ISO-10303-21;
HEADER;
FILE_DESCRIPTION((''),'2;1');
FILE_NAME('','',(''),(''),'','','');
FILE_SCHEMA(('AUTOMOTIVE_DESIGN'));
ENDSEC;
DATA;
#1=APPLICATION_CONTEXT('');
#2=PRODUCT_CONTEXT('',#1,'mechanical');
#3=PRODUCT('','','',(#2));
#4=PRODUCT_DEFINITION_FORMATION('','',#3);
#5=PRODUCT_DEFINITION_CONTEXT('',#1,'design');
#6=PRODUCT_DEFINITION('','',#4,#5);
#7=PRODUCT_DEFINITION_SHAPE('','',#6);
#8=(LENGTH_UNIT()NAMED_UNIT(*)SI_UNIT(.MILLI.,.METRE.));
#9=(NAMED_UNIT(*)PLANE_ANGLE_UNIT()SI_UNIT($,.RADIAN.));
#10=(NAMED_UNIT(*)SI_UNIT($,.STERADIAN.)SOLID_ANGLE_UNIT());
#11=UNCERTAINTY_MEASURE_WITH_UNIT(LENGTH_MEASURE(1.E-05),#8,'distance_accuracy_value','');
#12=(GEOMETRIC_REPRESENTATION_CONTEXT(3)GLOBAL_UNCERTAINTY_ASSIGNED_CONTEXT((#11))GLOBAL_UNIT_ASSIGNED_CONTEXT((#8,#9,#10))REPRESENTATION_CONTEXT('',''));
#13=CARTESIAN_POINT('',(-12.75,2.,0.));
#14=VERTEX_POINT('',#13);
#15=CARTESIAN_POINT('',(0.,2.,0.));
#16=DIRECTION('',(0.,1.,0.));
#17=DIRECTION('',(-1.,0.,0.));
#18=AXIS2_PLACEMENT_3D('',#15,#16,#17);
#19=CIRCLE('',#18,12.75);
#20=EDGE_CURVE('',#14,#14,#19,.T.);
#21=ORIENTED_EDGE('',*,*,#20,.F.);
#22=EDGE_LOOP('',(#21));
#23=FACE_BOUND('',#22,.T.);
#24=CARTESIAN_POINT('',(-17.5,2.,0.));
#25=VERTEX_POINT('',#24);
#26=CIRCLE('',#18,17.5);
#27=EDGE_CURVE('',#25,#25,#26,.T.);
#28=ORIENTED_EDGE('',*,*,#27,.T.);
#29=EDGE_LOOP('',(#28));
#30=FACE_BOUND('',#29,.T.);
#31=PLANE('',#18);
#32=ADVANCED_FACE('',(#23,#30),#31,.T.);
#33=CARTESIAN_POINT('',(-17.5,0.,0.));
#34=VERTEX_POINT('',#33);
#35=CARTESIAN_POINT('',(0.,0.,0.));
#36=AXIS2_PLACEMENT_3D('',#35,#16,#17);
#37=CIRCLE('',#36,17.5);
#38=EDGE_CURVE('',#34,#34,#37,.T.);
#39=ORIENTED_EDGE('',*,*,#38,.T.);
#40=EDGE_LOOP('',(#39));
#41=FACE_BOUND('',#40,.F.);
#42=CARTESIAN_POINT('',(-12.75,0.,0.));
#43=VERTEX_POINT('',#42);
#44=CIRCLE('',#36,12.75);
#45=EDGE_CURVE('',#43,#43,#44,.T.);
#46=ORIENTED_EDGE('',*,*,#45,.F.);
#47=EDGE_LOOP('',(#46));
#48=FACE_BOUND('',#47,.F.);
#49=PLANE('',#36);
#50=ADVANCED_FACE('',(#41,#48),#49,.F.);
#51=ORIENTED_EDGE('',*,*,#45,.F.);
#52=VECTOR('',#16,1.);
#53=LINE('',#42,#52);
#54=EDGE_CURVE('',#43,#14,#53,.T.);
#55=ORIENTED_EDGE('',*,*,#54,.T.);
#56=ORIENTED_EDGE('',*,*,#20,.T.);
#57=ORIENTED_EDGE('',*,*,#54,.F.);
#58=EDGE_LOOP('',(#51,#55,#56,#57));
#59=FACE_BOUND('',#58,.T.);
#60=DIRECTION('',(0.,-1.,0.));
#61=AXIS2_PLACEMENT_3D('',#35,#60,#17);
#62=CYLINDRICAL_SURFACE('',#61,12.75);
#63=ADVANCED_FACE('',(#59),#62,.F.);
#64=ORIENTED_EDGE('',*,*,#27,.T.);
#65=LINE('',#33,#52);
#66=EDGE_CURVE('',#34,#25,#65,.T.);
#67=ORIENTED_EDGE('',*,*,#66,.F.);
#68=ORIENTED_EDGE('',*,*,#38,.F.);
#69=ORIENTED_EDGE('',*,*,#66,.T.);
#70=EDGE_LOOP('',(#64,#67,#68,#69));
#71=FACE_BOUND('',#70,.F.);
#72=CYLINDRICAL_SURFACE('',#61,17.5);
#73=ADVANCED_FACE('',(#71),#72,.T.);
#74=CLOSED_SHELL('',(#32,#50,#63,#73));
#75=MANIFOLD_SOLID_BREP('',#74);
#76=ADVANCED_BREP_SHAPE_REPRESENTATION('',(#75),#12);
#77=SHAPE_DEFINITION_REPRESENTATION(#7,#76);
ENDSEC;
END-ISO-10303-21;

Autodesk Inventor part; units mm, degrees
ref_plane "YZ Plane" through (0, 0, 0) normal (1, 0, 0) x (0, 1, 0)
ref_plane "XZ Plane" through (0, 0, 0) normal (0, 1, 0) x (-1, 0, 0)
ref_plane "XY Plane" through (0, 0, 0) normal (0, 0, 1) x (1, 0, 0)
sketch "Skizze1" plane through (0, 0, 0) normal (0, 1, 0) x (-1, 0, 0)
  circle A0 centre (0, 0) radius 12.75
  circle A1 centre (0, 0) radius 17.5
  dimension "d0" = 25.5
  dimension "d1" = 35
extrude "Extrusion1" add sketch "Skizze1" along normal blind 2
properties part number "00_CMountSpacer_CCTVLens_Daheng"
